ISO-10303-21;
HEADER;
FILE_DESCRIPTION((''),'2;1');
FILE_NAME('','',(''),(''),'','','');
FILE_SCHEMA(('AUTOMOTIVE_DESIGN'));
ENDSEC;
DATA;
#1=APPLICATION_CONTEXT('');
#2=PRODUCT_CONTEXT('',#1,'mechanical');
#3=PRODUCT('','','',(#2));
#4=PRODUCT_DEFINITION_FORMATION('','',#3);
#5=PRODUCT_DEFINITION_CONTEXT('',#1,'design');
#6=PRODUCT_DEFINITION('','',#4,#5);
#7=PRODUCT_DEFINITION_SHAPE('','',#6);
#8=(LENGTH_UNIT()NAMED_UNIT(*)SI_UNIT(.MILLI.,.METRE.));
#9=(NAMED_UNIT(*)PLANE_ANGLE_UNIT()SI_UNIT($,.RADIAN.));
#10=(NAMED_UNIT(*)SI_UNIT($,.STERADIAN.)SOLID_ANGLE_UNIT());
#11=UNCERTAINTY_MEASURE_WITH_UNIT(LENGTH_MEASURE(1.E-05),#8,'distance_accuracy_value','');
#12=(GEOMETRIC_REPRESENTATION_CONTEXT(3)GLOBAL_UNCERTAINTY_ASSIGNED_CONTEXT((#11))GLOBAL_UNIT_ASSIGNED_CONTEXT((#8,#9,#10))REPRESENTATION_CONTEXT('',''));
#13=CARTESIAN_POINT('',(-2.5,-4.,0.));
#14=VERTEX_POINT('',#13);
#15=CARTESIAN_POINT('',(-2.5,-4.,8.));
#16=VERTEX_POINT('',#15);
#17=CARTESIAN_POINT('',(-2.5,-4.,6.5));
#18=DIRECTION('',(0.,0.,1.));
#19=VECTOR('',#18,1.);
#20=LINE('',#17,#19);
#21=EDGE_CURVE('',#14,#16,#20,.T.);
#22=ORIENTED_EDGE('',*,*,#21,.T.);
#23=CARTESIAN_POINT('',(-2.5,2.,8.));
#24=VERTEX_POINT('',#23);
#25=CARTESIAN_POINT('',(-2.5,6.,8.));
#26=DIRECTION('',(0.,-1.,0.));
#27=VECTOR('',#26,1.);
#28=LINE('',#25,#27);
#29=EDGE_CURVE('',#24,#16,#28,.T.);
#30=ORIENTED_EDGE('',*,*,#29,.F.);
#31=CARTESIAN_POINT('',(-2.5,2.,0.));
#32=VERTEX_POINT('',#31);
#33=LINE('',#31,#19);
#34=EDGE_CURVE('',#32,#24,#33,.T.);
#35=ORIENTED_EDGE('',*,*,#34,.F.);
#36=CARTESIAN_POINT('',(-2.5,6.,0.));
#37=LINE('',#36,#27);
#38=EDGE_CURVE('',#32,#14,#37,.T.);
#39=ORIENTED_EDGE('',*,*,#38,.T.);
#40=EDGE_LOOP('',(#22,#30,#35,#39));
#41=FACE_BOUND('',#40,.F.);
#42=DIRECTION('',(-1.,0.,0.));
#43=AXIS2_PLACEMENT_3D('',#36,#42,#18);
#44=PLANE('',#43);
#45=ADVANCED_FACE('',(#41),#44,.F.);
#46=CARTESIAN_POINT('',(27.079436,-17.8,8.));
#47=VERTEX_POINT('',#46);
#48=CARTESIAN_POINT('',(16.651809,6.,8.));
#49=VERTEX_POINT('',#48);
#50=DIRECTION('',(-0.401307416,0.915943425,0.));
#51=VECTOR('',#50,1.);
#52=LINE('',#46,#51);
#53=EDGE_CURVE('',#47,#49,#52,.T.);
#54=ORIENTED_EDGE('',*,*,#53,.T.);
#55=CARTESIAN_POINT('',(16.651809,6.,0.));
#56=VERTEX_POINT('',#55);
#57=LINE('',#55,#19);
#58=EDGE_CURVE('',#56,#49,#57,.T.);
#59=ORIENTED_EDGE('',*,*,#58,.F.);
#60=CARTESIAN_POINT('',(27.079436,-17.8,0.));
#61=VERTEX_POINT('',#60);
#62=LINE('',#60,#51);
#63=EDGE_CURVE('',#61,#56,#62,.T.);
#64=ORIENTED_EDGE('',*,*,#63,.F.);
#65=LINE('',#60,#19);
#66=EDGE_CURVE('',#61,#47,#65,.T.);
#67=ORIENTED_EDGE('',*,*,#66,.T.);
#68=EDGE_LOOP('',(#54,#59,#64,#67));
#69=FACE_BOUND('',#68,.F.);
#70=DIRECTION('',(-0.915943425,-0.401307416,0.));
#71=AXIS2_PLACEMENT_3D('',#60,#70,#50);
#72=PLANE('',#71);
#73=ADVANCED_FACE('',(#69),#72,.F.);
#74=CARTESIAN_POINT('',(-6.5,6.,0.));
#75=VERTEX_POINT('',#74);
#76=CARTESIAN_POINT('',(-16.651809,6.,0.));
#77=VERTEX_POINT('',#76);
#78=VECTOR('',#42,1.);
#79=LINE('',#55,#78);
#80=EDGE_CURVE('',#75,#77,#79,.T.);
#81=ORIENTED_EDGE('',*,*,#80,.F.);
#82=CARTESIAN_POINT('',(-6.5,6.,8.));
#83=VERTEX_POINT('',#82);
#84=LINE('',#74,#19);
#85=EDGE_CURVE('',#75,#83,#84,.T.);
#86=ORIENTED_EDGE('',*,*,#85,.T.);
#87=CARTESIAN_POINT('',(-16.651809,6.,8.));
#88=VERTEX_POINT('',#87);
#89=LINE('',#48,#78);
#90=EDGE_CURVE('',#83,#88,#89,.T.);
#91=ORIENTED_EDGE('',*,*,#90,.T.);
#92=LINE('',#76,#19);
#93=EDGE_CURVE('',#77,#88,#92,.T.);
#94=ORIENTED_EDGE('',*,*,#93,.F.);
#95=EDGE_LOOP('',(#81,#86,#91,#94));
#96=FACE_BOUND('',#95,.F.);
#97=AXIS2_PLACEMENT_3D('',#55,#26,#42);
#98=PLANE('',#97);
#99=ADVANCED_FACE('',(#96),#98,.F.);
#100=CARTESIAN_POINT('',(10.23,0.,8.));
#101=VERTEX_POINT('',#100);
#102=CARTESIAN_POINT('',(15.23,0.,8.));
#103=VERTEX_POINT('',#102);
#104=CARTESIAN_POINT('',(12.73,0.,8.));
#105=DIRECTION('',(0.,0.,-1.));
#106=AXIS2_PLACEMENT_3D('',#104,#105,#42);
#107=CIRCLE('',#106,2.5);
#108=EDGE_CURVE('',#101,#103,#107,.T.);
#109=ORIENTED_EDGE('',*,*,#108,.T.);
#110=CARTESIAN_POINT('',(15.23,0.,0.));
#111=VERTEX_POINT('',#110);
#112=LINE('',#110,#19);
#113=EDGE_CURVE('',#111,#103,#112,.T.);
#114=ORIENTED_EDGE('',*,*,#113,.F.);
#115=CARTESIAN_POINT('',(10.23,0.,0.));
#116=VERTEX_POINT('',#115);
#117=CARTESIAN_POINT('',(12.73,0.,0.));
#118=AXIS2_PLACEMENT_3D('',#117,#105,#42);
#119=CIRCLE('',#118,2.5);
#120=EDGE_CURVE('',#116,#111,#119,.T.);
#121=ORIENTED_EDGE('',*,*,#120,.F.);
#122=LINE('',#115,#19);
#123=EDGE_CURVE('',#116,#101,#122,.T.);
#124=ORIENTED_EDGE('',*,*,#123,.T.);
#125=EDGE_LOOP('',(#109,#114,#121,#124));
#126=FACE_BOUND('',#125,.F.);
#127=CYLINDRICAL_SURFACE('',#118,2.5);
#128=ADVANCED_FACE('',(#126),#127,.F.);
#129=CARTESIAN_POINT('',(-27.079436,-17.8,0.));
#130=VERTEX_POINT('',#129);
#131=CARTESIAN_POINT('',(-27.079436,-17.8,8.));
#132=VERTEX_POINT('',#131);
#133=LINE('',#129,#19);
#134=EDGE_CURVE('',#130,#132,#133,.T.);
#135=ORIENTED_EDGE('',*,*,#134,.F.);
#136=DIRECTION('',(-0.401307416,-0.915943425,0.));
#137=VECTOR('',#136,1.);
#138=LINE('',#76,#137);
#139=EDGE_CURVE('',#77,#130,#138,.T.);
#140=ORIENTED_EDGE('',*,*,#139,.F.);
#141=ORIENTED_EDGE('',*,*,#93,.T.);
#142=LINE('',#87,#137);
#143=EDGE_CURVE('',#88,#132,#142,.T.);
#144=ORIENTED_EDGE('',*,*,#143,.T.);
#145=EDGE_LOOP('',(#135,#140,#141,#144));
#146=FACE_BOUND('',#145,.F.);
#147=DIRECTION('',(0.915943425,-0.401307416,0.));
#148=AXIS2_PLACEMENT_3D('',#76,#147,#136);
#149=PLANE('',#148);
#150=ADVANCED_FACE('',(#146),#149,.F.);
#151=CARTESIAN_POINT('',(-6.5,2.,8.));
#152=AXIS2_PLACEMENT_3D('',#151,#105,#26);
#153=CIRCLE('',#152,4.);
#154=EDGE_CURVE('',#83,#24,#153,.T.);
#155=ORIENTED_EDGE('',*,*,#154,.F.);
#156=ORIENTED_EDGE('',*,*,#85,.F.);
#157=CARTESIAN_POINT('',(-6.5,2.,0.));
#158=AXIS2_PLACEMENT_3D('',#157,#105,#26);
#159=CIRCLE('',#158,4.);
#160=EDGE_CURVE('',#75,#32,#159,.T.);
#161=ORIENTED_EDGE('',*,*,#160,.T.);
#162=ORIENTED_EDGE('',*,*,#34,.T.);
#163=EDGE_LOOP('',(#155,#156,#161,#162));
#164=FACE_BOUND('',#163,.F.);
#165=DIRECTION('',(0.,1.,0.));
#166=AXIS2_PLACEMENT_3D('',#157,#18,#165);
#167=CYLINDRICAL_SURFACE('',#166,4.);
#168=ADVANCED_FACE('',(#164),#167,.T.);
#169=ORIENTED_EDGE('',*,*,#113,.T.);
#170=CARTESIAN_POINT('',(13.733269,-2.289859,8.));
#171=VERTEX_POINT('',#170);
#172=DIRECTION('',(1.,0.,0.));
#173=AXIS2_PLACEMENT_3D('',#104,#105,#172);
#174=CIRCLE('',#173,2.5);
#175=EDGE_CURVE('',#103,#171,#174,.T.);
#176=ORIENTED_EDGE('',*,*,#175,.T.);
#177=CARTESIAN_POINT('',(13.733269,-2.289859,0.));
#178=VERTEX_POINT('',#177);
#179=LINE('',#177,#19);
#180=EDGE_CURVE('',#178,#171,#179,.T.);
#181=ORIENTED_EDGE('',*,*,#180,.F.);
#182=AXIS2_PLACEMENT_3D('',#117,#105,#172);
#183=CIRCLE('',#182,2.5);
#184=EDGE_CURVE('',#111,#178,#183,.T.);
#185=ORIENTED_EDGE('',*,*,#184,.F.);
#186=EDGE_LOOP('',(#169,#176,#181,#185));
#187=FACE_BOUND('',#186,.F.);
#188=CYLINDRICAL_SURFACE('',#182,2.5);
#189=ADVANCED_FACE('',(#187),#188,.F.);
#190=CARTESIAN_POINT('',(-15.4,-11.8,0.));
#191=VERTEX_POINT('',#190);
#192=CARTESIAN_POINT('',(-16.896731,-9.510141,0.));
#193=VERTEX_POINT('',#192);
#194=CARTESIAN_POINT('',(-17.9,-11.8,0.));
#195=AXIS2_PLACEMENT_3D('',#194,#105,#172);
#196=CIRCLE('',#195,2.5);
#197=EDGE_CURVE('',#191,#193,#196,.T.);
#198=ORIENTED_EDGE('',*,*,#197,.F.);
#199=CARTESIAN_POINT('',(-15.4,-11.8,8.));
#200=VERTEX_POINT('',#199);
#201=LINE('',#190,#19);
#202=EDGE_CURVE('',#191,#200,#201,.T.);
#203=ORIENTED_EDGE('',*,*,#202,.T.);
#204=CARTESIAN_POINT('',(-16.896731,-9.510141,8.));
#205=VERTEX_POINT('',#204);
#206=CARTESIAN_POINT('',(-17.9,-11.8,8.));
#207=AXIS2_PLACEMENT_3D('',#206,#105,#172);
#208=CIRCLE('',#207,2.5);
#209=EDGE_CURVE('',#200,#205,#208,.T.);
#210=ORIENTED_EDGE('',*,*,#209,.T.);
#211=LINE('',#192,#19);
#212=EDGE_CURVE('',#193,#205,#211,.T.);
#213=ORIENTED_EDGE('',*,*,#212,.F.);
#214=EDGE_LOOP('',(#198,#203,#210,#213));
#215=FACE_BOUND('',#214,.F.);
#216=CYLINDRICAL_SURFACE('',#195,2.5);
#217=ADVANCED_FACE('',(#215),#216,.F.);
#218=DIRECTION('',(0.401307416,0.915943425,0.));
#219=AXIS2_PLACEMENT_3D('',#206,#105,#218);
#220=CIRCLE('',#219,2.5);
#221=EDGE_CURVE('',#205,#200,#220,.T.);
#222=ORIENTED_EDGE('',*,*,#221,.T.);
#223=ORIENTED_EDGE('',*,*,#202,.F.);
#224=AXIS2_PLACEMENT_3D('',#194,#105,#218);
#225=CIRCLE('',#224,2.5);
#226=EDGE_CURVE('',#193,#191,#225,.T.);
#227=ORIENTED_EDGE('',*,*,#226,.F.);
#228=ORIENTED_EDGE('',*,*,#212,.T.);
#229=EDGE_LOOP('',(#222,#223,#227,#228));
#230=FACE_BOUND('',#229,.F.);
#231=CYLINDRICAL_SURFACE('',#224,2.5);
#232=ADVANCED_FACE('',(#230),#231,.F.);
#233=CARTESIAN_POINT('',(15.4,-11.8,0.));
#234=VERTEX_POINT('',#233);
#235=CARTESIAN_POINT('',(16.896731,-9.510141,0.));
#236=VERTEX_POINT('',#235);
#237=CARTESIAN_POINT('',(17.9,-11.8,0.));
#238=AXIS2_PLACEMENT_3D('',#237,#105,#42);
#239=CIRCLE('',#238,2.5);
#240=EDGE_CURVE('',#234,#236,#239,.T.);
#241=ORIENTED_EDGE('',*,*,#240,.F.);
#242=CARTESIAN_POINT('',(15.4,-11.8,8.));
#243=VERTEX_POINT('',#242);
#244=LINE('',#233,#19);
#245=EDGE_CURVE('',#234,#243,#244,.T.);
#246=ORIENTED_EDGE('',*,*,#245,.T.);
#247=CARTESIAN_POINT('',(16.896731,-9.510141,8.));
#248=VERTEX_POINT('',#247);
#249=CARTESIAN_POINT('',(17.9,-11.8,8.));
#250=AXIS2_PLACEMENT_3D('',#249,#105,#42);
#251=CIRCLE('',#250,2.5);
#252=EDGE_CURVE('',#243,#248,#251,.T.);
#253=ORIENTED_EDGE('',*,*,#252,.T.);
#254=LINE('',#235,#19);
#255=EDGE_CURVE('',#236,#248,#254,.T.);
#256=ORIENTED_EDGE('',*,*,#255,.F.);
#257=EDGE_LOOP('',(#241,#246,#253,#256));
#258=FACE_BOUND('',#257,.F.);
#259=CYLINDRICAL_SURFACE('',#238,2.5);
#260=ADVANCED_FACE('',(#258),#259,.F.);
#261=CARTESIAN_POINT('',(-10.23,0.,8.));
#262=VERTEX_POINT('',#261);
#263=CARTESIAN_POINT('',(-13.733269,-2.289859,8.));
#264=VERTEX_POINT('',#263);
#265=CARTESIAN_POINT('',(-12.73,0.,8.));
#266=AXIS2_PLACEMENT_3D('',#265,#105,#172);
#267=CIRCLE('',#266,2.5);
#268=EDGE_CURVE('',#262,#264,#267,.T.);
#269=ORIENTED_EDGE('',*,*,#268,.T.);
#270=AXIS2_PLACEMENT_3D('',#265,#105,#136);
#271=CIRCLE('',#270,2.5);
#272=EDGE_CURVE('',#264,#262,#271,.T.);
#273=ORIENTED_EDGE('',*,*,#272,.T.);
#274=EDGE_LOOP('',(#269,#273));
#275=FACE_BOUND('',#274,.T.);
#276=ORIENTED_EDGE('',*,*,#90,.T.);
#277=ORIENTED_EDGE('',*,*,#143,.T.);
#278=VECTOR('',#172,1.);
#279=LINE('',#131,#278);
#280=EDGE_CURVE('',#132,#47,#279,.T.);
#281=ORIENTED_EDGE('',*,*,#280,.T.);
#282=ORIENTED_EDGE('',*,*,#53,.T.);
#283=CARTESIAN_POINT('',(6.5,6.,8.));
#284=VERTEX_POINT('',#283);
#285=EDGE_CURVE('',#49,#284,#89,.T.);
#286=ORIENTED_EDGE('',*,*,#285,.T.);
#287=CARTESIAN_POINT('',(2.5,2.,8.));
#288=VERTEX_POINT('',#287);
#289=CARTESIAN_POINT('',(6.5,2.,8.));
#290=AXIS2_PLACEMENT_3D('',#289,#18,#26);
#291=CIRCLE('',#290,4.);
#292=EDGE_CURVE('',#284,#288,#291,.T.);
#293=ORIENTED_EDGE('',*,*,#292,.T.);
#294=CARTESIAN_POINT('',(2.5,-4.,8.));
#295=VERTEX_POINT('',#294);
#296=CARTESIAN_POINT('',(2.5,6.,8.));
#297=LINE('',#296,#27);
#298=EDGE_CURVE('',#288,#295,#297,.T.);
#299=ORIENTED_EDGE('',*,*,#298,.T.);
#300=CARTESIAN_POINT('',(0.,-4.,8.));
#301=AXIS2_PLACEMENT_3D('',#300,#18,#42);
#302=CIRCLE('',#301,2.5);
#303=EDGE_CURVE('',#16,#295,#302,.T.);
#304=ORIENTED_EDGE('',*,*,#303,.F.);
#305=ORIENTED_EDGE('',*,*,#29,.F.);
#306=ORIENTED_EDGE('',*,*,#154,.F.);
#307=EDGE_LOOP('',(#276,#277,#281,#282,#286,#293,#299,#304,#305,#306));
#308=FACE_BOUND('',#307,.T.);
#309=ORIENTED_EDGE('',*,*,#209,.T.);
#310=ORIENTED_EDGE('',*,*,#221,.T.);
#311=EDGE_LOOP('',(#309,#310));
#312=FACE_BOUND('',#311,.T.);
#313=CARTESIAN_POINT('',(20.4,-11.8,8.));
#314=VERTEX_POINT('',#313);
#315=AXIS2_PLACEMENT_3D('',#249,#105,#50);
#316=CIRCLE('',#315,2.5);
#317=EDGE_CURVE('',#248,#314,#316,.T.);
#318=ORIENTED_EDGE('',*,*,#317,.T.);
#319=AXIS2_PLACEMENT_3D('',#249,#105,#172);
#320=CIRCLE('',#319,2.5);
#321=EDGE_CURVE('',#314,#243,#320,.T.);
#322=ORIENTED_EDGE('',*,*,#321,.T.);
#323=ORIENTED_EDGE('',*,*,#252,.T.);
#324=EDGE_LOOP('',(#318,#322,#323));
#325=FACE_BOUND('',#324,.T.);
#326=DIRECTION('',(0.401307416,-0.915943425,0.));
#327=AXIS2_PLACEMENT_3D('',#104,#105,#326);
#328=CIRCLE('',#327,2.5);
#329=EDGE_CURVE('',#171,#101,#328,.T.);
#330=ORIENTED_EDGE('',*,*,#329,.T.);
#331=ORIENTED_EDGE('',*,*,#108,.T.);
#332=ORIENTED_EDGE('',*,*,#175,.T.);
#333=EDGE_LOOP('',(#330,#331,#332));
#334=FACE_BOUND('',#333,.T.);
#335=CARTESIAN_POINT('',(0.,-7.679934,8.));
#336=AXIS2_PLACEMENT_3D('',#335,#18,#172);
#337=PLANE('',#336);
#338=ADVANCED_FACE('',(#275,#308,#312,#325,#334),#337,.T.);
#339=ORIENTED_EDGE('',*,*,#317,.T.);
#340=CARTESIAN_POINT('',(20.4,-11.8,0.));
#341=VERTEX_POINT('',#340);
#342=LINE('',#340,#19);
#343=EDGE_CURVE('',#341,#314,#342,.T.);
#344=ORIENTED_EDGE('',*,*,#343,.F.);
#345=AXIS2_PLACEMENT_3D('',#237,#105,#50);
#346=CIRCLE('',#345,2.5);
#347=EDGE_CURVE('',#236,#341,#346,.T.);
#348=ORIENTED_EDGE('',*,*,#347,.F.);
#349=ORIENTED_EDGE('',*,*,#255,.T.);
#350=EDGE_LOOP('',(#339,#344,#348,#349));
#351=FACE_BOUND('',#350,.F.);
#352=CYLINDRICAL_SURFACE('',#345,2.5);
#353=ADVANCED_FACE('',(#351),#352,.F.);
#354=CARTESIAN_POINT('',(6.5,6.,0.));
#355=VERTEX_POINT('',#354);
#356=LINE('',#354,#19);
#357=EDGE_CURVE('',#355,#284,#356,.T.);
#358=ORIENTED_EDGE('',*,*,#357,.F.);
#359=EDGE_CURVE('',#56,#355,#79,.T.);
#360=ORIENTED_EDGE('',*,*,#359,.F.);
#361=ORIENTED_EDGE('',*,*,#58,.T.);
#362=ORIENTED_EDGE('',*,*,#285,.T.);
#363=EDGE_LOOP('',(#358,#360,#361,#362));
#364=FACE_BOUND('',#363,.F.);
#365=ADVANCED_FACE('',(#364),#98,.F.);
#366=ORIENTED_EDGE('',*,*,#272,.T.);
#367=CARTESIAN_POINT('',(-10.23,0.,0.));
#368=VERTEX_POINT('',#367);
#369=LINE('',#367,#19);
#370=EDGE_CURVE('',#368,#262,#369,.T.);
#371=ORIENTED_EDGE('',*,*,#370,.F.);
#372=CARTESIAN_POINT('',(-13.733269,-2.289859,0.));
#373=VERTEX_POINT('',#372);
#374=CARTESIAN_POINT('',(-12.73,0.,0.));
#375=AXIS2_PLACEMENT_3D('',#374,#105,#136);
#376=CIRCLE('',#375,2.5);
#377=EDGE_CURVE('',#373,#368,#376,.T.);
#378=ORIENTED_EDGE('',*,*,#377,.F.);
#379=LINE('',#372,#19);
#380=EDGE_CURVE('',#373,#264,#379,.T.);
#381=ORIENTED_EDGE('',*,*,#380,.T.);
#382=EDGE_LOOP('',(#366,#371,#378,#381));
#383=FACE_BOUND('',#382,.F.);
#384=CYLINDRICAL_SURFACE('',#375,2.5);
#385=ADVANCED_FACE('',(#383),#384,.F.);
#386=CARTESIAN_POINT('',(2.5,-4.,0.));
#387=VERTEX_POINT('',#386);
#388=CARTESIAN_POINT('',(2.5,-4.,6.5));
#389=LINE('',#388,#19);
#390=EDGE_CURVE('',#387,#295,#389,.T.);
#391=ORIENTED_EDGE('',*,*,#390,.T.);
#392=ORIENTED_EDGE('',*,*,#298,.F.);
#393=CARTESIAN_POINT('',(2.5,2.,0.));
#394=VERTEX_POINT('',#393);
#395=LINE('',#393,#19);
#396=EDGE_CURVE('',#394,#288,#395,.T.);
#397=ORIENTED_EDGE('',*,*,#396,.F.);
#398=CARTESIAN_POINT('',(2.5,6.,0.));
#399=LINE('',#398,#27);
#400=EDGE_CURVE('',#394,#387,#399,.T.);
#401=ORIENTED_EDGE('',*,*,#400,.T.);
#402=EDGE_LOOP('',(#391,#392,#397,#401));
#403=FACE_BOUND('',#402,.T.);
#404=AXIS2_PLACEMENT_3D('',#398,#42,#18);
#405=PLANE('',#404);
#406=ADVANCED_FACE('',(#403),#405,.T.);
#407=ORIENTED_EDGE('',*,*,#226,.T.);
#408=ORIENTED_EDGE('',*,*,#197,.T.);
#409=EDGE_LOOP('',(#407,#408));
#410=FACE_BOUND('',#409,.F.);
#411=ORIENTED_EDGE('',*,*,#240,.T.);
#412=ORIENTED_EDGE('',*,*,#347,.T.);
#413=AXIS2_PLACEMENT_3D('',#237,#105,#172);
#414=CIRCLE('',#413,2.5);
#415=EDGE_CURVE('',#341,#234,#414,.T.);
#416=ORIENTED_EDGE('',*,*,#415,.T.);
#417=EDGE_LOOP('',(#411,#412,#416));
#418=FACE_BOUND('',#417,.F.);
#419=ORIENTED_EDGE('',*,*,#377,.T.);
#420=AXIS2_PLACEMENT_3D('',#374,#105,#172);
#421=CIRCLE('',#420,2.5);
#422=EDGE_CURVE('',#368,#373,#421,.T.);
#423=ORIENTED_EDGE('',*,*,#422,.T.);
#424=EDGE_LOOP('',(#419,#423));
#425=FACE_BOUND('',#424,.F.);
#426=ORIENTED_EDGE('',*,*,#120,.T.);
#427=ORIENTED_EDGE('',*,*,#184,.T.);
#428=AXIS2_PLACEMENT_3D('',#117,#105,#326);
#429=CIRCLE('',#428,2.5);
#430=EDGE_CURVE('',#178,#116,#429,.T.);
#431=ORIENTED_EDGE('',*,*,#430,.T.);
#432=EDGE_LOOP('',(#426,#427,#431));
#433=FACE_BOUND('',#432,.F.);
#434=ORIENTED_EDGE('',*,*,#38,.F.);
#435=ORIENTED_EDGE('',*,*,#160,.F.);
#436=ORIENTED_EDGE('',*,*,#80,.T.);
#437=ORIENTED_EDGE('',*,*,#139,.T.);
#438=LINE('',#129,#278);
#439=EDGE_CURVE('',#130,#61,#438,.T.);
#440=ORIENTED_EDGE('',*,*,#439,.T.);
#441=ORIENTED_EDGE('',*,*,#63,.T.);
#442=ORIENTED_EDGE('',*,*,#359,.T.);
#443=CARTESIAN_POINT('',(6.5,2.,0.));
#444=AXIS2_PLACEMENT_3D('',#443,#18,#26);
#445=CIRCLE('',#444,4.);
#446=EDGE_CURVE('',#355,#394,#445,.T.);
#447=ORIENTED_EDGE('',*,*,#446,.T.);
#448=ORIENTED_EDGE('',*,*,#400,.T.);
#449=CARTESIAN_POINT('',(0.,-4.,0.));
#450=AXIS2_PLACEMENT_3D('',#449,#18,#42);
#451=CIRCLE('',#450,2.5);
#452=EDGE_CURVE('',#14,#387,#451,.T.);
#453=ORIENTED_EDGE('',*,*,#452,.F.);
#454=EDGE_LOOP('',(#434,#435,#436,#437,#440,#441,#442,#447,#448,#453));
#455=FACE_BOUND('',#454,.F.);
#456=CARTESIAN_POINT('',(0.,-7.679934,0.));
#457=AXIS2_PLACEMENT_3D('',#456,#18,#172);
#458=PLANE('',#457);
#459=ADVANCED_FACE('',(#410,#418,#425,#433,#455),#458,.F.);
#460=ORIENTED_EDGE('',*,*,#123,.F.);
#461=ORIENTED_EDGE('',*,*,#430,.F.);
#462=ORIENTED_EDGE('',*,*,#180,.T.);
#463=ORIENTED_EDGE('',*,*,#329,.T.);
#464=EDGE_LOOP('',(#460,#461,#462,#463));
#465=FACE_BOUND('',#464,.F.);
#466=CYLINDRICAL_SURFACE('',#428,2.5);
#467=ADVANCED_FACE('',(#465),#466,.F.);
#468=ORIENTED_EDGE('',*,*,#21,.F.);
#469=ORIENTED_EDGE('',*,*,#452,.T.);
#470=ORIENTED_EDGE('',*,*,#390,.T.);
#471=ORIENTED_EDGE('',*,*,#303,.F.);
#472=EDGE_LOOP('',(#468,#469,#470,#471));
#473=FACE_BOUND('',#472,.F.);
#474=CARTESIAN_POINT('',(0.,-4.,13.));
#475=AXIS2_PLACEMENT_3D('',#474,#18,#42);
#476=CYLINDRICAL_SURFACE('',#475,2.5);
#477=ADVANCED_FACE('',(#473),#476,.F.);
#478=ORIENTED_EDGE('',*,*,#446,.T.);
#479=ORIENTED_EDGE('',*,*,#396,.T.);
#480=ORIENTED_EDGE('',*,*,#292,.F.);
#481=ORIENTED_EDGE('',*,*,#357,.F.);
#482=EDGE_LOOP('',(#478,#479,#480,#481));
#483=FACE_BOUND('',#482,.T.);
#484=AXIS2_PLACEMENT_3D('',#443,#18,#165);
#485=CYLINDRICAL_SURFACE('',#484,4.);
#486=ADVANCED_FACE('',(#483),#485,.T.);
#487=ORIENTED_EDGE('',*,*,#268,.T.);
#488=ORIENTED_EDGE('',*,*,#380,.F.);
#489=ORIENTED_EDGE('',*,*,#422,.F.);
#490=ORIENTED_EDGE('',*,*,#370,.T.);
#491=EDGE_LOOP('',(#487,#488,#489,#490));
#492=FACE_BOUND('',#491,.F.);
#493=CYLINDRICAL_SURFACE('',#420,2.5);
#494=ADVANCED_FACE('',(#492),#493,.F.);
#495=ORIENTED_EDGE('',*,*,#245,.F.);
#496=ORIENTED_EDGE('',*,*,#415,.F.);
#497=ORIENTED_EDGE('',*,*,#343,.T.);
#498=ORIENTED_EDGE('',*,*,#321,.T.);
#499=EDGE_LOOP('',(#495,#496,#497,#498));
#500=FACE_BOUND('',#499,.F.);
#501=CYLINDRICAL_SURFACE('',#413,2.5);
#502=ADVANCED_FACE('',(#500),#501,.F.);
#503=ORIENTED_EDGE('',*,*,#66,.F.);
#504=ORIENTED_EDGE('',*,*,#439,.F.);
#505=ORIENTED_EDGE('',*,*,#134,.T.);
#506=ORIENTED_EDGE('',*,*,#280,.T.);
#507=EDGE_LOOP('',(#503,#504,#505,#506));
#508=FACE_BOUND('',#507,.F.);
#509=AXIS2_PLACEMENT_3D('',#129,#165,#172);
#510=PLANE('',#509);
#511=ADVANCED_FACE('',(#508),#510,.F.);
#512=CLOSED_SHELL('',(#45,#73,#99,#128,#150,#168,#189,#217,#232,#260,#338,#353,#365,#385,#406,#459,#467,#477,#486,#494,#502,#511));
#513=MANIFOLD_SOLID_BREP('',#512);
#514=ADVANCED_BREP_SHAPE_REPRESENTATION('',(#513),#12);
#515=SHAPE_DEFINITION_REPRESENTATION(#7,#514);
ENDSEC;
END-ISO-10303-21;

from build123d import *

# Parameters (mm, degrees)
F1_DEPTH = 13
F2_W     = 5
F2_H     = 13
F3_DEPTH = 10
F5_DEPTH = 25
F6_R     = 4
F7_DEPTH = 5


with BuildPart() as f1:
    # F0 (on Top) → F1 (new body)
    with BuildSketch(Plane.XY):
        Polygon((16.6518093675, 6), (-16.6518093675, 6), (-27.0794364862, -17.8), (27.0794364862, -17.8), align=None)
        with BuildLine():
            Line((-16.8967314602, -9.5101414373), (-13.7332685398, -2.2898585627))
            ThreePointArc((-13.7332685398, -2.2898585627), (-14.0978137027, 2.0926265015), (-10.23, 0))
            Line((-10.23, 0), (10.23, 0))
            ThreePointArc((10.23, 0), (12.73, 2.5), (15.23, 0))
            ThreePointArc((15.23, 0), (14.8226265015, -1.3678137027), (13.7332685398, -2.2898585627))
            Line((13.7332685398, -2.2898585627), (16.8967314602, -9.5101414373))
            ThreePointArc((16.8967314602, -9.5101414373), (19.2678137027, -9.7073734985), (20.4, -11.8))
            ThreePointArc((20.4, -11.8), (17.9, -14.3), (15.4, -11.8))
            Line((15.4, -11.8), (-15.4, -11.8))
            ThreePointArc((-15.4, -11.8), (-19.9926265015, -13.1678137027), (-16.8967314602, -9.5101414373))
        make_face(mode=Mode.SUBTRACT)
        with BuildLine():
            ThreePointArc((-10.23, 0), (-11.3621862973, -2.0926265015), (-13.7332685398, -2.2898585627))
            Line((-13.7332685398, -2.2898585627), (-16.8967314602, -9.5101414373))
            ThreePointArc((-16.8967314602, -9.5101414373), (-15.8073734985, -10.4321862973), (-15.4, -11.8))
            Line((-15.4, -11.8), (15.4, -11.8))
            ThreePointArc((15.4, -11.8), (15.8073734985, -10.4321862973), (16.8967314602, -9.5101414373))
            Line((16.8967314602, -9.5101414373), (13.7332685398, -2.2898585627))
            ThreePointArc((13.7332685398, -2.2898585627), (11.3621862973, -2.0926265015), (10.23, 0))
            Line((10.23, 0), (-10.23, 0))
        make_face()
    extrude(amount=F1_DEPTH)

    # F2 (on face) → F3 (cut)
    with BuildSketch(Plane(origin=(0, 6, 0), x_dir=(-1, 0, 0), z_dir=(0, 1, 0))):
        with Locations((0, 6.5)):
            Rectangle(F2_W, F2_H)
    extrude(amount=-F3_DEPTH, mode=Mode.SUBTRACT)

    # F4 (on face) → F5 (cut)
    with BuildSketch(Plane.XY.offset(13)):
        with BuildLine():
            Line((2.5, -4), (-2.5, -4))
            ThreePointArc((-2.5, -4), (0, -6.5), (2.5, -4))
        make_face()
    extrude(amount=-F5_DEPTH, mode=Mode.SUBTRACT)

    # F6
    f6_edges = [f1.edges().sort_by_distance(p)[0] for p in [
        (2.5, 6, 6.5),
        (-2.5, 6, 6.5),
    ]]
    fillet(f6_edges, radius=F6_R)

    # F7 (cut): a face of the model
    f7_faces = [f1.faces().sort_by_distance(p)[0] for p in [
        (0, -7.4780389875, 13),
    ]]
    extrude(f7_faces, amount=-F7_DEPTH, mode=Mode.SUBTRACT)


solid = f1.part
